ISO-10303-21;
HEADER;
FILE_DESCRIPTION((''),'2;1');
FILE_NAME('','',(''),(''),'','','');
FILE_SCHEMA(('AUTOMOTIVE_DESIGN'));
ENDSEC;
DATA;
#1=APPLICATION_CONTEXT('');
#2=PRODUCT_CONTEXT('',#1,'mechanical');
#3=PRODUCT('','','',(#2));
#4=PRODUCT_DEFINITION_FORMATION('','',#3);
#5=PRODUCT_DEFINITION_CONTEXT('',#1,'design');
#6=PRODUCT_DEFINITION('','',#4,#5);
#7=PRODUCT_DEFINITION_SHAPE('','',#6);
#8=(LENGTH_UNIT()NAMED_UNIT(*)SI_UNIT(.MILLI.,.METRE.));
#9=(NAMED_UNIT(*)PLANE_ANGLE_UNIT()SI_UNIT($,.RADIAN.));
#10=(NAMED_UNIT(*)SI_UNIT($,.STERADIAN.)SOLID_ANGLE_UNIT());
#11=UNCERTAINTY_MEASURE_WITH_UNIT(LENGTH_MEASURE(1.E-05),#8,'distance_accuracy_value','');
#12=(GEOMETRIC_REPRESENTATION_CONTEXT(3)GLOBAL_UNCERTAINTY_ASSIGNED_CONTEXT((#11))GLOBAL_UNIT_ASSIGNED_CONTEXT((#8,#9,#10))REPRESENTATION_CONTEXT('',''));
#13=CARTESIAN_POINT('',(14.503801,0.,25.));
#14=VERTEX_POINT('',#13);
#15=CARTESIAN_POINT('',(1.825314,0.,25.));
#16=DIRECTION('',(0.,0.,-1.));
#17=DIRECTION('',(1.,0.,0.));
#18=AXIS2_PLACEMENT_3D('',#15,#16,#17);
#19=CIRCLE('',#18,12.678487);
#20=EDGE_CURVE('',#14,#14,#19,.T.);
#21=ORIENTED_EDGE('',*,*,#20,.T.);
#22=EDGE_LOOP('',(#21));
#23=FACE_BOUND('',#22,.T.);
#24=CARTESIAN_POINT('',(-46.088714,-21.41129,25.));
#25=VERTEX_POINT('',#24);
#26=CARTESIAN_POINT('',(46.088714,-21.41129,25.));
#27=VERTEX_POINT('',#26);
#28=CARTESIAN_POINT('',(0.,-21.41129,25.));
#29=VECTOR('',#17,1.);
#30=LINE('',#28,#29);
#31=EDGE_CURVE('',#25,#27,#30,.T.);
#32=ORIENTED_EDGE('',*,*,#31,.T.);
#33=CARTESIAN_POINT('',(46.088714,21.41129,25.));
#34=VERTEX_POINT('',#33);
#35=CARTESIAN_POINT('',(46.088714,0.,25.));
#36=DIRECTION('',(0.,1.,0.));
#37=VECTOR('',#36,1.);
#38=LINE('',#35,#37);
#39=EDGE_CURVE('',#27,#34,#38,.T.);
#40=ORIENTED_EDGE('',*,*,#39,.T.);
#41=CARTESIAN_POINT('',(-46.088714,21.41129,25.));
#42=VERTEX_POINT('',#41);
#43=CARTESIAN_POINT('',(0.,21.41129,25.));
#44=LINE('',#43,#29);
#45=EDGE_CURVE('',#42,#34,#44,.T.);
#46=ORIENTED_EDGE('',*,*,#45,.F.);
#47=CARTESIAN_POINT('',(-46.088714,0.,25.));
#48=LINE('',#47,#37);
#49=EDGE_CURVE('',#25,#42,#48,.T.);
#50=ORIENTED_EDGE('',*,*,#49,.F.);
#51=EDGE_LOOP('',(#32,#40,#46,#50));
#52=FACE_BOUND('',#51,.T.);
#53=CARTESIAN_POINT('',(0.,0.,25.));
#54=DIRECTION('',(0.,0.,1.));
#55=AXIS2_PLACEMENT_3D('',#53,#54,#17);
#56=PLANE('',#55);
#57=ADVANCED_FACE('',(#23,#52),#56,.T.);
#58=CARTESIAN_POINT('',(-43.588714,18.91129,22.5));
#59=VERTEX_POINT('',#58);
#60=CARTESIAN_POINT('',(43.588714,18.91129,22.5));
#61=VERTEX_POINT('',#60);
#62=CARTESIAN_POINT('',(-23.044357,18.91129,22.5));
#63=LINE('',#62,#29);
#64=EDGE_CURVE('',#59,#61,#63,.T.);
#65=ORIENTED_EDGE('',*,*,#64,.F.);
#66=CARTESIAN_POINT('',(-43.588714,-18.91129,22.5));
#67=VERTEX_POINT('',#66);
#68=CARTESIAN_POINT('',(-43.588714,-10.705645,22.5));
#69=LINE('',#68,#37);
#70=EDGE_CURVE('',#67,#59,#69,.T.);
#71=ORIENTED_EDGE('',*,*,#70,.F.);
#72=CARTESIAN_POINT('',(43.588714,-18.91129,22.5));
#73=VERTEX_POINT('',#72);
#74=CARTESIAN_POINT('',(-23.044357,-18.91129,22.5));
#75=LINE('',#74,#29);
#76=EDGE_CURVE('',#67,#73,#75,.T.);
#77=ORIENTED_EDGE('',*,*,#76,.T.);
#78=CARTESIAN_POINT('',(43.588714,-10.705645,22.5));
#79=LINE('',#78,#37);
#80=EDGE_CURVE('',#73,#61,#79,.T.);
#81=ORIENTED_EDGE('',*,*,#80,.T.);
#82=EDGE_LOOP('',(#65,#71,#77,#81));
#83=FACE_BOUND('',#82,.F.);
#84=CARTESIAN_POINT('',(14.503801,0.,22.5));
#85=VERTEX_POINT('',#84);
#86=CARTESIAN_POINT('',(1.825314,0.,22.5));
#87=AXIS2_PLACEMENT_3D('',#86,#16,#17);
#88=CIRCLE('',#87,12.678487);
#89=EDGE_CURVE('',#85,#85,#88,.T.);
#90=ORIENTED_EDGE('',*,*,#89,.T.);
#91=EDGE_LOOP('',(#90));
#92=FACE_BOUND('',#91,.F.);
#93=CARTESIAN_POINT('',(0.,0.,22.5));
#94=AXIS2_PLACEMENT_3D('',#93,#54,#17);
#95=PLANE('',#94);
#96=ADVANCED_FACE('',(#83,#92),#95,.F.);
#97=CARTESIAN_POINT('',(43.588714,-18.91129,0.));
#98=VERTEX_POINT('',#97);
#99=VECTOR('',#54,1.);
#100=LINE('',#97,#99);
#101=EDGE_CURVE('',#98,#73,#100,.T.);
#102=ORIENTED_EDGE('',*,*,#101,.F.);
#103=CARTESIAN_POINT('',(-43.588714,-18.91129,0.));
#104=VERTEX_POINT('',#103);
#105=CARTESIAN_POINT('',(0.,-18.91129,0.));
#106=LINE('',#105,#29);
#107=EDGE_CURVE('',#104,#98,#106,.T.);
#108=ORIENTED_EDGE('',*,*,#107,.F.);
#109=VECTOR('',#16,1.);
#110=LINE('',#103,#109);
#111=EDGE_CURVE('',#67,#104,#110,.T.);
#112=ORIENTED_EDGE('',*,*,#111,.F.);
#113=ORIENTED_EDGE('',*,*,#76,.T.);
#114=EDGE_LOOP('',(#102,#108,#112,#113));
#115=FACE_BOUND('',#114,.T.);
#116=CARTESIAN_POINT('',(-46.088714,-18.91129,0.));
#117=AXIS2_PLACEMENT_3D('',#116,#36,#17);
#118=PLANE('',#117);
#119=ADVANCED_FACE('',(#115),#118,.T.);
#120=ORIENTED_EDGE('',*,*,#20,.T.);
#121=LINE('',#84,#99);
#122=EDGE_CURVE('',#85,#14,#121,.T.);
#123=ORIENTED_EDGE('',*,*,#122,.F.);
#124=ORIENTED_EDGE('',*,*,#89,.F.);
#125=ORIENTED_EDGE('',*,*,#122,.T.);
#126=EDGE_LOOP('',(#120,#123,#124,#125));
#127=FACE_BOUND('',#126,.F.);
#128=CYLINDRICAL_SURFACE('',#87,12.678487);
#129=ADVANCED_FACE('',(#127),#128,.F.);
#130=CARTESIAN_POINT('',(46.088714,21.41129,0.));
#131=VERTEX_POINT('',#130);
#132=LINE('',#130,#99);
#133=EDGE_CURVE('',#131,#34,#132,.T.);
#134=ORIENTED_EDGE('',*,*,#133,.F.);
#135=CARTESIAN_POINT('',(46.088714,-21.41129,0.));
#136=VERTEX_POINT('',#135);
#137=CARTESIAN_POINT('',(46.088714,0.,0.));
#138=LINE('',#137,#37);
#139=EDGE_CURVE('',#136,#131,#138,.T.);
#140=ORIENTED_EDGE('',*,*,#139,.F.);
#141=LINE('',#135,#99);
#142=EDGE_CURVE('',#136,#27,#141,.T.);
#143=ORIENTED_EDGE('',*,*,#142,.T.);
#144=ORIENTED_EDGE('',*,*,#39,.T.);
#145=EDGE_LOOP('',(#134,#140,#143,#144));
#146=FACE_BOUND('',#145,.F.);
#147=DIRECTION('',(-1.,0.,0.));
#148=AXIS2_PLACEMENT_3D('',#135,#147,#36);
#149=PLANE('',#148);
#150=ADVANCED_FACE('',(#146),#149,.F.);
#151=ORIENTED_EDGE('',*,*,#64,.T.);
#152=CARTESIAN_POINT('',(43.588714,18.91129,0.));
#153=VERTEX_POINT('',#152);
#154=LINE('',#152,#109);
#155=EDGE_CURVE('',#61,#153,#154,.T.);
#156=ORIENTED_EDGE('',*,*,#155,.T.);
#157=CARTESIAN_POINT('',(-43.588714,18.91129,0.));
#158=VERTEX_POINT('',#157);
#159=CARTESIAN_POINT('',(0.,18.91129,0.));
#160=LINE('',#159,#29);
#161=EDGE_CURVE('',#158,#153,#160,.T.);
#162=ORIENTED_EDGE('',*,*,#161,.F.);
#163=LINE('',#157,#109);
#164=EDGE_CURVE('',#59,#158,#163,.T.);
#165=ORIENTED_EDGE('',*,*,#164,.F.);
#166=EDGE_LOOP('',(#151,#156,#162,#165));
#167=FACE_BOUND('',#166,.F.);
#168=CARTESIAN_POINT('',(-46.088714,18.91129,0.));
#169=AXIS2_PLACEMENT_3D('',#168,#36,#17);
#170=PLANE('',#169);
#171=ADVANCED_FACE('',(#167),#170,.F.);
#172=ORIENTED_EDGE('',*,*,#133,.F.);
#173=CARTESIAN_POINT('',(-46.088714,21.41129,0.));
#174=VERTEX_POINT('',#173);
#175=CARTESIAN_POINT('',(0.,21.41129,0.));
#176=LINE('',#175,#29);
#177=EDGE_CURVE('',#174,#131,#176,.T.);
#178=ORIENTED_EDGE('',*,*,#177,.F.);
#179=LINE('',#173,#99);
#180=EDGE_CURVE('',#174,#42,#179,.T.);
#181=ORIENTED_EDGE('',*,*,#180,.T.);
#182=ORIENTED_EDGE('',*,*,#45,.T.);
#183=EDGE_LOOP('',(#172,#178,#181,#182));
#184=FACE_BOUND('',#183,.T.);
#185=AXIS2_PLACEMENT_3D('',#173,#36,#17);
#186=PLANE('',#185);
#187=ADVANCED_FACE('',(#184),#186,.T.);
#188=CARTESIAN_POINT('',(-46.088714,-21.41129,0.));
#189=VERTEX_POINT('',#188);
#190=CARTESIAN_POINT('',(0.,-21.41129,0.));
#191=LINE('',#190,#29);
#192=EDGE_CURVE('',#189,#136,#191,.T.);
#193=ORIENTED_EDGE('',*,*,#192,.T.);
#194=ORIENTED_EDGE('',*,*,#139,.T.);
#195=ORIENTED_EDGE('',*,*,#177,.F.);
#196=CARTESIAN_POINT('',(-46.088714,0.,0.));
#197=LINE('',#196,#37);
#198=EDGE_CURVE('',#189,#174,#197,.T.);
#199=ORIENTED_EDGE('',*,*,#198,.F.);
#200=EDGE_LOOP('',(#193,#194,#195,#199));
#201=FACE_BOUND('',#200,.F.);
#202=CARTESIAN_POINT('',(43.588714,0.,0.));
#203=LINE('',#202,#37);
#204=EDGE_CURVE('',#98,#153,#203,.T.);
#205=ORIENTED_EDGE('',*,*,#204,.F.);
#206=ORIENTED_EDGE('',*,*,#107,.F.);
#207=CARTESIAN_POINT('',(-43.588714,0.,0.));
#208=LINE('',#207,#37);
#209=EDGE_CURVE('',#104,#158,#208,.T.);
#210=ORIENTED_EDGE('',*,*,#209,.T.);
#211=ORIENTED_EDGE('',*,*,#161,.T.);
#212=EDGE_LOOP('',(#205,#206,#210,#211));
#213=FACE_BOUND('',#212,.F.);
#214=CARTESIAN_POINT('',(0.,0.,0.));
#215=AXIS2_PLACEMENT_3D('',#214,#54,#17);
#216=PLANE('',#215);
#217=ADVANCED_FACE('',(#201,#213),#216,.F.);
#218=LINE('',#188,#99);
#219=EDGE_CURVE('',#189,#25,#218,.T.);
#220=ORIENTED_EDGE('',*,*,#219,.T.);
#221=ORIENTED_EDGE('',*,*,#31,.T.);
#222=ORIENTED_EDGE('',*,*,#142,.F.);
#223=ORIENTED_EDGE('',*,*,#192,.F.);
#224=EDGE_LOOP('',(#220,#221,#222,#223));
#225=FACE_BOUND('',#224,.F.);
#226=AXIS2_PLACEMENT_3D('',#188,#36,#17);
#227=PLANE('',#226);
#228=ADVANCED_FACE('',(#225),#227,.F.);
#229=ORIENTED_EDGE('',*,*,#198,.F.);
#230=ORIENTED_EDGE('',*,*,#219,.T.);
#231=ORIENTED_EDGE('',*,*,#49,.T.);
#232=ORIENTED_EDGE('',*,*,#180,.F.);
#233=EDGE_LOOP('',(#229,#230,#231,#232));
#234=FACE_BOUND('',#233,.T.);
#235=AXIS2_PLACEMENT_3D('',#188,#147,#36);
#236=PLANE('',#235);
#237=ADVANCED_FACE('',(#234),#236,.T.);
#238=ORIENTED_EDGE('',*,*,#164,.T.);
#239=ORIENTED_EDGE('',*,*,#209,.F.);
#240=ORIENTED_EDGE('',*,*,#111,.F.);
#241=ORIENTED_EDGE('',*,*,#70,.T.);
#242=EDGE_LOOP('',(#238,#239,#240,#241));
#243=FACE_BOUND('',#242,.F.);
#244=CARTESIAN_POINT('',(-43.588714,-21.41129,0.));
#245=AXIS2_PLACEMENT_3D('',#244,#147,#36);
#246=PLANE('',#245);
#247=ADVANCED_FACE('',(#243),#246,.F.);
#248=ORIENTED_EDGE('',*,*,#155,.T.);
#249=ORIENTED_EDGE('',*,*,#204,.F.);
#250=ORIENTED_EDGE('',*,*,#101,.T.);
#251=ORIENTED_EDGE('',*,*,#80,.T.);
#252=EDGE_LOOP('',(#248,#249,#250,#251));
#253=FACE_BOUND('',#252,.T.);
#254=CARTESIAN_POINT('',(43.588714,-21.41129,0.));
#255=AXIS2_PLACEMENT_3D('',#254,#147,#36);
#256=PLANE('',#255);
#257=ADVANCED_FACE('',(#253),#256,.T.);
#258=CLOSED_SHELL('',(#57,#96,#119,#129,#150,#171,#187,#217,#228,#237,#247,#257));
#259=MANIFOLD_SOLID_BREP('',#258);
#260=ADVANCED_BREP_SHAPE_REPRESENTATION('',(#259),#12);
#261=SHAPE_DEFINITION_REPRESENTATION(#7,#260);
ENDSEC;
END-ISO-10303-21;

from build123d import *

# Parameters (mm, degrees)
F0_W     = 92.177428
F0_H     = 42.82258
F1_DEPTH = 25
F2_T     = -2.5
F3_R     = 12.678487
F4_DEPTH = 73.8


with BuildPart() as f1:
    # F0 (on Top) → F1 (new body)
    with BuildSketch(Plane.XY):
        Rectangle(F0_W, F0_H)
    extrude(amount=F1_DEPTH)

    # F2
    f2_openings = [f1.faces().sort_by_distance(p)[0] for p in [
        (0, 0, 0),
    ]]
    offset(amount=F2_T, openings=f2_openings)

    # F3 (on face) → F4 (cut)
    with BuildSketch(Plane(origin=(0, 0, 22.5), x_dir=(1, 0, 0), z_dir=(0, 0, -1))):
        with Locations((1.825314, 0)):
            Circle(F3_R)
    extrude(amount=-F4_DEPTH, mode=Mode.SUBTRACT)


solid = f1.part
